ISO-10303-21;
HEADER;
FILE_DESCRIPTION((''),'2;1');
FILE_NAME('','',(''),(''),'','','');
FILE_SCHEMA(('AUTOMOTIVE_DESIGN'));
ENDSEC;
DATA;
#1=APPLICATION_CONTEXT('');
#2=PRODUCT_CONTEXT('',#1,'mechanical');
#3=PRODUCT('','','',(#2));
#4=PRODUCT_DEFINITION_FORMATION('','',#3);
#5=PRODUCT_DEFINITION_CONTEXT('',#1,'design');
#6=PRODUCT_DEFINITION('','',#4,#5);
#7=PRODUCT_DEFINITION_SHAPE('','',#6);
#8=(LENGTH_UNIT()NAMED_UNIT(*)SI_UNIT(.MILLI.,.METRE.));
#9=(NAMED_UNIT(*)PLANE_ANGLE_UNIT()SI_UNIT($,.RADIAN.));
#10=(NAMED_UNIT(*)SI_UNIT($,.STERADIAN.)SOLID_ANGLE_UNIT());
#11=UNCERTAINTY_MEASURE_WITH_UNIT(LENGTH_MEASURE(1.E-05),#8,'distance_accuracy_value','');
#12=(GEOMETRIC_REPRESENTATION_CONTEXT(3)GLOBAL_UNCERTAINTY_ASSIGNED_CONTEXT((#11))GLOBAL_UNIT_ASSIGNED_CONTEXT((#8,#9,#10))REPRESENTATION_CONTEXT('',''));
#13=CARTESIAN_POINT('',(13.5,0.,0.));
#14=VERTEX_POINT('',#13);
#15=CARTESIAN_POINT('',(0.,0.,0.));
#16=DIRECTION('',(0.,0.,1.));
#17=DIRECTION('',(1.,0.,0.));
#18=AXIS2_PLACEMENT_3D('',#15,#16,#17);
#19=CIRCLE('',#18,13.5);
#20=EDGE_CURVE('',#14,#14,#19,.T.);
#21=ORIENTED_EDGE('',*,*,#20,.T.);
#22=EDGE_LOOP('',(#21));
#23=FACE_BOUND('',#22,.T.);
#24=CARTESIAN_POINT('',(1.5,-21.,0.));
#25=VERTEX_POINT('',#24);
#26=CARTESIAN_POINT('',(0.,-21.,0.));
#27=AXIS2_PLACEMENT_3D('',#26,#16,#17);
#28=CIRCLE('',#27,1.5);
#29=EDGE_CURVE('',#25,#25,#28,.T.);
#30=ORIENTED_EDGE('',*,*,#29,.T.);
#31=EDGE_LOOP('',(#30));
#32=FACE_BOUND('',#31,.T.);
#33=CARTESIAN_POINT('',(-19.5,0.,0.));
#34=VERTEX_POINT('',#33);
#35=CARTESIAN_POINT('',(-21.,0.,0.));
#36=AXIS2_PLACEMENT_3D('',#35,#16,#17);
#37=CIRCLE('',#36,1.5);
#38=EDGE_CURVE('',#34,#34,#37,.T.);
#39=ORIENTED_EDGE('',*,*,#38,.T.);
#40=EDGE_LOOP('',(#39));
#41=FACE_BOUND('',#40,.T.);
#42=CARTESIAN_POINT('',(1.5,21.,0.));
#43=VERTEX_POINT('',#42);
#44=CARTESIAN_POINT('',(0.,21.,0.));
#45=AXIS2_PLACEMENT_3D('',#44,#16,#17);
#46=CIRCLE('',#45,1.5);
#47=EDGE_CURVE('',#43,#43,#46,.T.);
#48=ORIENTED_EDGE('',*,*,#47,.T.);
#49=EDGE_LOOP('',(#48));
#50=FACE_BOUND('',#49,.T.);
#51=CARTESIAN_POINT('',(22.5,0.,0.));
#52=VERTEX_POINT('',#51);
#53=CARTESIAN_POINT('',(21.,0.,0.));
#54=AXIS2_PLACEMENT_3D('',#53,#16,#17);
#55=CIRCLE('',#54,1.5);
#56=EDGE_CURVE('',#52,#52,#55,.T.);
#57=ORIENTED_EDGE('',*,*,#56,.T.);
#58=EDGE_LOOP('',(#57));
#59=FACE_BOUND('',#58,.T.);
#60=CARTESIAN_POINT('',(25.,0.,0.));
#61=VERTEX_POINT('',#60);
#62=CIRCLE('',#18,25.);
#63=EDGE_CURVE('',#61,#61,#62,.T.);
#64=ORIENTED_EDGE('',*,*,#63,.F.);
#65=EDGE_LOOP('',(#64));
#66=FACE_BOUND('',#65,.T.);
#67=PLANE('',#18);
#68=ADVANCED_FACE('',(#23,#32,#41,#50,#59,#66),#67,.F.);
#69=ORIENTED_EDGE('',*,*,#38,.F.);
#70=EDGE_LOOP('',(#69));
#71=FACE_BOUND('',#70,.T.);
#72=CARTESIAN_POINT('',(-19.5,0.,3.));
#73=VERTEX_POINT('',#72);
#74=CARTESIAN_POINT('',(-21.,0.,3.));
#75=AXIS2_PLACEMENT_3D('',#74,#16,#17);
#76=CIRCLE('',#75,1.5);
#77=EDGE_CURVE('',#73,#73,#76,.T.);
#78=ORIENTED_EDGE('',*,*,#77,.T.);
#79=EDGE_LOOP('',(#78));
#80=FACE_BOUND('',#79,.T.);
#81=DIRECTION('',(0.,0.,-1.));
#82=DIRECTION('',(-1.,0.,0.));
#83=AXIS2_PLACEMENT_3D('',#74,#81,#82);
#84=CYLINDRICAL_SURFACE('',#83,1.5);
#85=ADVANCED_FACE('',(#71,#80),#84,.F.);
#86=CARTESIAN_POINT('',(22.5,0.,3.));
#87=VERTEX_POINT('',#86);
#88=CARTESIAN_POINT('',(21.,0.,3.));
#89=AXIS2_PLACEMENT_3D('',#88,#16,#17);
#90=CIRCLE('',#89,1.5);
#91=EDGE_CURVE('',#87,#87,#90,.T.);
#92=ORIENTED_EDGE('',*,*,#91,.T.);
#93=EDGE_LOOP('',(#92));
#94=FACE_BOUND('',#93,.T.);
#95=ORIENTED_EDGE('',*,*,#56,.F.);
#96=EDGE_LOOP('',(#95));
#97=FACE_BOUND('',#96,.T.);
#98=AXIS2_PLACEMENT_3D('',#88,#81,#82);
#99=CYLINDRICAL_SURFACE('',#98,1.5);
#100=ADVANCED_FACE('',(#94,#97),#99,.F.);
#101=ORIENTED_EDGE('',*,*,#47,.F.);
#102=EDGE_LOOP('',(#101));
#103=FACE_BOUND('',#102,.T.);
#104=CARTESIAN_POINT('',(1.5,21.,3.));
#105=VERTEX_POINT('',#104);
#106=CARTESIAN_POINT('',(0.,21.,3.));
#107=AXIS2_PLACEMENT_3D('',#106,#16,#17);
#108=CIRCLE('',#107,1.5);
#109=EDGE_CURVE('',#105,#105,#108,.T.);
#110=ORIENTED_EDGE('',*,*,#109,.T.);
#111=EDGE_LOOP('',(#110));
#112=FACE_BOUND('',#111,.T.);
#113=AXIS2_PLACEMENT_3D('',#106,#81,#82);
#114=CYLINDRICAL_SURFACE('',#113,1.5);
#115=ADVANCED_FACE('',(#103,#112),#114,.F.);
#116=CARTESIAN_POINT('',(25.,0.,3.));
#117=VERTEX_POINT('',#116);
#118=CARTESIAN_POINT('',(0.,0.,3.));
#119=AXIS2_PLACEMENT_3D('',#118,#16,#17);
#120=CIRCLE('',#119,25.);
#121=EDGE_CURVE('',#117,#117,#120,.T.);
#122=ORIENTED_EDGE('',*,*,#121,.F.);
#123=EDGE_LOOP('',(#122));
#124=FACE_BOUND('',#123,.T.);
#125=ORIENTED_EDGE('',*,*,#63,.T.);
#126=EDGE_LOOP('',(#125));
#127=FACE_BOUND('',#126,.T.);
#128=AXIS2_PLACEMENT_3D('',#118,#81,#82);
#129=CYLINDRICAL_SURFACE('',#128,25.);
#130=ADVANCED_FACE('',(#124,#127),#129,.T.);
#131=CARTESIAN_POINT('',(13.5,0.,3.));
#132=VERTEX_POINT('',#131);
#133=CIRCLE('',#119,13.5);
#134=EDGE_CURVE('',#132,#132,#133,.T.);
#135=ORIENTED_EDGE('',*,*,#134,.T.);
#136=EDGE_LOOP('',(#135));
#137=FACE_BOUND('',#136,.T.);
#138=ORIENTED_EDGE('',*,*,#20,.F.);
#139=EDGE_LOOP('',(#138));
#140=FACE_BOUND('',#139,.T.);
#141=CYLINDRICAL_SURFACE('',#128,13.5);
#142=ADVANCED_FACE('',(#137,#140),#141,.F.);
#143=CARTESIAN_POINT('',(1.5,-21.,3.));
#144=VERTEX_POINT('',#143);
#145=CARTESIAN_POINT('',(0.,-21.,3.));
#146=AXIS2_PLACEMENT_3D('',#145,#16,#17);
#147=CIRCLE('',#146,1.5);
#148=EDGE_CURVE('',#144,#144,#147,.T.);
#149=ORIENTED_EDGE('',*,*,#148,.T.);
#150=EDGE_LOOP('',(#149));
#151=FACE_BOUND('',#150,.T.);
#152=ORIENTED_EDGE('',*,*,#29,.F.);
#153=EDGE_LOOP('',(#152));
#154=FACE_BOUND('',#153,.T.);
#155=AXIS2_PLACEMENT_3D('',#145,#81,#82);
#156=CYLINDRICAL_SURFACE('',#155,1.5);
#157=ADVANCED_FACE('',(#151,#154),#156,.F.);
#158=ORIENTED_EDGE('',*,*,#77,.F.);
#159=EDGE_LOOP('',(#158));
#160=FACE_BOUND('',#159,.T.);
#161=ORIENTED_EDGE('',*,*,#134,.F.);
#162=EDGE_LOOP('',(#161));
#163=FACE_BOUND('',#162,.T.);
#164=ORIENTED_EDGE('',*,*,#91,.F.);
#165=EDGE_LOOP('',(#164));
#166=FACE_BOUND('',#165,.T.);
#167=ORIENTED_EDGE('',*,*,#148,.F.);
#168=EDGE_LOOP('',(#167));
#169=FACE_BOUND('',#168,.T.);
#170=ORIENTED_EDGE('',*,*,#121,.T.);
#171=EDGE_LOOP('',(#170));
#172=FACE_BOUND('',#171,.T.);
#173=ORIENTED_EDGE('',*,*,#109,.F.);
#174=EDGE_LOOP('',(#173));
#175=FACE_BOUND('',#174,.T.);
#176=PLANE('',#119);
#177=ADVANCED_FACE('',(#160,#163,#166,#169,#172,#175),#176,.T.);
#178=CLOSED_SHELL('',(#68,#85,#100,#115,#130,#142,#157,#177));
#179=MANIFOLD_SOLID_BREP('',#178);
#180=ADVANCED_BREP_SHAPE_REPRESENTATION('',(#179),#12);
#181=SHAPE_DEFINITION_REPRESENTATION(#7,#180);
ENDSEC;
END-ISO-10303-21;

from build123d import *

# Parameters (mm, degrees)
SKETCH1_R           = 25
SKETCH1_R_2         = 13.5
SKETCH1_R_3         = 1.5
BOSS_EXTRUDE1_DEPTH = 3


with BuildPart() as part:
    # Sketch1 → Boss-Extrude1 (new body)
    with BuildSketch(Plane.XY):
        Circle(SKETCH1_R)
        Circle(SKETCH1_R_2, mode=Mode.SUBTRACT)
        with Locations((0, 21)):
            Circle(SKETCH1_R_3, mode=Mode.SUBTRACT)
        with Locations((21, 0)):
            Circle(SKETCH1_R_3, mode=Mode.SUBTRACT)
        with Locations((0, -21)):
            Circle(SKETCH1_R_3, mode=Mode.SUBTRACT)
        with Locations((-21, 0)):
            Circle(SKETCH1_R_3, mode=Mode.SUBTRACT)
    extrude(amount=BOSS_EXTRUDE1_DEPTH)


solid = part.part
